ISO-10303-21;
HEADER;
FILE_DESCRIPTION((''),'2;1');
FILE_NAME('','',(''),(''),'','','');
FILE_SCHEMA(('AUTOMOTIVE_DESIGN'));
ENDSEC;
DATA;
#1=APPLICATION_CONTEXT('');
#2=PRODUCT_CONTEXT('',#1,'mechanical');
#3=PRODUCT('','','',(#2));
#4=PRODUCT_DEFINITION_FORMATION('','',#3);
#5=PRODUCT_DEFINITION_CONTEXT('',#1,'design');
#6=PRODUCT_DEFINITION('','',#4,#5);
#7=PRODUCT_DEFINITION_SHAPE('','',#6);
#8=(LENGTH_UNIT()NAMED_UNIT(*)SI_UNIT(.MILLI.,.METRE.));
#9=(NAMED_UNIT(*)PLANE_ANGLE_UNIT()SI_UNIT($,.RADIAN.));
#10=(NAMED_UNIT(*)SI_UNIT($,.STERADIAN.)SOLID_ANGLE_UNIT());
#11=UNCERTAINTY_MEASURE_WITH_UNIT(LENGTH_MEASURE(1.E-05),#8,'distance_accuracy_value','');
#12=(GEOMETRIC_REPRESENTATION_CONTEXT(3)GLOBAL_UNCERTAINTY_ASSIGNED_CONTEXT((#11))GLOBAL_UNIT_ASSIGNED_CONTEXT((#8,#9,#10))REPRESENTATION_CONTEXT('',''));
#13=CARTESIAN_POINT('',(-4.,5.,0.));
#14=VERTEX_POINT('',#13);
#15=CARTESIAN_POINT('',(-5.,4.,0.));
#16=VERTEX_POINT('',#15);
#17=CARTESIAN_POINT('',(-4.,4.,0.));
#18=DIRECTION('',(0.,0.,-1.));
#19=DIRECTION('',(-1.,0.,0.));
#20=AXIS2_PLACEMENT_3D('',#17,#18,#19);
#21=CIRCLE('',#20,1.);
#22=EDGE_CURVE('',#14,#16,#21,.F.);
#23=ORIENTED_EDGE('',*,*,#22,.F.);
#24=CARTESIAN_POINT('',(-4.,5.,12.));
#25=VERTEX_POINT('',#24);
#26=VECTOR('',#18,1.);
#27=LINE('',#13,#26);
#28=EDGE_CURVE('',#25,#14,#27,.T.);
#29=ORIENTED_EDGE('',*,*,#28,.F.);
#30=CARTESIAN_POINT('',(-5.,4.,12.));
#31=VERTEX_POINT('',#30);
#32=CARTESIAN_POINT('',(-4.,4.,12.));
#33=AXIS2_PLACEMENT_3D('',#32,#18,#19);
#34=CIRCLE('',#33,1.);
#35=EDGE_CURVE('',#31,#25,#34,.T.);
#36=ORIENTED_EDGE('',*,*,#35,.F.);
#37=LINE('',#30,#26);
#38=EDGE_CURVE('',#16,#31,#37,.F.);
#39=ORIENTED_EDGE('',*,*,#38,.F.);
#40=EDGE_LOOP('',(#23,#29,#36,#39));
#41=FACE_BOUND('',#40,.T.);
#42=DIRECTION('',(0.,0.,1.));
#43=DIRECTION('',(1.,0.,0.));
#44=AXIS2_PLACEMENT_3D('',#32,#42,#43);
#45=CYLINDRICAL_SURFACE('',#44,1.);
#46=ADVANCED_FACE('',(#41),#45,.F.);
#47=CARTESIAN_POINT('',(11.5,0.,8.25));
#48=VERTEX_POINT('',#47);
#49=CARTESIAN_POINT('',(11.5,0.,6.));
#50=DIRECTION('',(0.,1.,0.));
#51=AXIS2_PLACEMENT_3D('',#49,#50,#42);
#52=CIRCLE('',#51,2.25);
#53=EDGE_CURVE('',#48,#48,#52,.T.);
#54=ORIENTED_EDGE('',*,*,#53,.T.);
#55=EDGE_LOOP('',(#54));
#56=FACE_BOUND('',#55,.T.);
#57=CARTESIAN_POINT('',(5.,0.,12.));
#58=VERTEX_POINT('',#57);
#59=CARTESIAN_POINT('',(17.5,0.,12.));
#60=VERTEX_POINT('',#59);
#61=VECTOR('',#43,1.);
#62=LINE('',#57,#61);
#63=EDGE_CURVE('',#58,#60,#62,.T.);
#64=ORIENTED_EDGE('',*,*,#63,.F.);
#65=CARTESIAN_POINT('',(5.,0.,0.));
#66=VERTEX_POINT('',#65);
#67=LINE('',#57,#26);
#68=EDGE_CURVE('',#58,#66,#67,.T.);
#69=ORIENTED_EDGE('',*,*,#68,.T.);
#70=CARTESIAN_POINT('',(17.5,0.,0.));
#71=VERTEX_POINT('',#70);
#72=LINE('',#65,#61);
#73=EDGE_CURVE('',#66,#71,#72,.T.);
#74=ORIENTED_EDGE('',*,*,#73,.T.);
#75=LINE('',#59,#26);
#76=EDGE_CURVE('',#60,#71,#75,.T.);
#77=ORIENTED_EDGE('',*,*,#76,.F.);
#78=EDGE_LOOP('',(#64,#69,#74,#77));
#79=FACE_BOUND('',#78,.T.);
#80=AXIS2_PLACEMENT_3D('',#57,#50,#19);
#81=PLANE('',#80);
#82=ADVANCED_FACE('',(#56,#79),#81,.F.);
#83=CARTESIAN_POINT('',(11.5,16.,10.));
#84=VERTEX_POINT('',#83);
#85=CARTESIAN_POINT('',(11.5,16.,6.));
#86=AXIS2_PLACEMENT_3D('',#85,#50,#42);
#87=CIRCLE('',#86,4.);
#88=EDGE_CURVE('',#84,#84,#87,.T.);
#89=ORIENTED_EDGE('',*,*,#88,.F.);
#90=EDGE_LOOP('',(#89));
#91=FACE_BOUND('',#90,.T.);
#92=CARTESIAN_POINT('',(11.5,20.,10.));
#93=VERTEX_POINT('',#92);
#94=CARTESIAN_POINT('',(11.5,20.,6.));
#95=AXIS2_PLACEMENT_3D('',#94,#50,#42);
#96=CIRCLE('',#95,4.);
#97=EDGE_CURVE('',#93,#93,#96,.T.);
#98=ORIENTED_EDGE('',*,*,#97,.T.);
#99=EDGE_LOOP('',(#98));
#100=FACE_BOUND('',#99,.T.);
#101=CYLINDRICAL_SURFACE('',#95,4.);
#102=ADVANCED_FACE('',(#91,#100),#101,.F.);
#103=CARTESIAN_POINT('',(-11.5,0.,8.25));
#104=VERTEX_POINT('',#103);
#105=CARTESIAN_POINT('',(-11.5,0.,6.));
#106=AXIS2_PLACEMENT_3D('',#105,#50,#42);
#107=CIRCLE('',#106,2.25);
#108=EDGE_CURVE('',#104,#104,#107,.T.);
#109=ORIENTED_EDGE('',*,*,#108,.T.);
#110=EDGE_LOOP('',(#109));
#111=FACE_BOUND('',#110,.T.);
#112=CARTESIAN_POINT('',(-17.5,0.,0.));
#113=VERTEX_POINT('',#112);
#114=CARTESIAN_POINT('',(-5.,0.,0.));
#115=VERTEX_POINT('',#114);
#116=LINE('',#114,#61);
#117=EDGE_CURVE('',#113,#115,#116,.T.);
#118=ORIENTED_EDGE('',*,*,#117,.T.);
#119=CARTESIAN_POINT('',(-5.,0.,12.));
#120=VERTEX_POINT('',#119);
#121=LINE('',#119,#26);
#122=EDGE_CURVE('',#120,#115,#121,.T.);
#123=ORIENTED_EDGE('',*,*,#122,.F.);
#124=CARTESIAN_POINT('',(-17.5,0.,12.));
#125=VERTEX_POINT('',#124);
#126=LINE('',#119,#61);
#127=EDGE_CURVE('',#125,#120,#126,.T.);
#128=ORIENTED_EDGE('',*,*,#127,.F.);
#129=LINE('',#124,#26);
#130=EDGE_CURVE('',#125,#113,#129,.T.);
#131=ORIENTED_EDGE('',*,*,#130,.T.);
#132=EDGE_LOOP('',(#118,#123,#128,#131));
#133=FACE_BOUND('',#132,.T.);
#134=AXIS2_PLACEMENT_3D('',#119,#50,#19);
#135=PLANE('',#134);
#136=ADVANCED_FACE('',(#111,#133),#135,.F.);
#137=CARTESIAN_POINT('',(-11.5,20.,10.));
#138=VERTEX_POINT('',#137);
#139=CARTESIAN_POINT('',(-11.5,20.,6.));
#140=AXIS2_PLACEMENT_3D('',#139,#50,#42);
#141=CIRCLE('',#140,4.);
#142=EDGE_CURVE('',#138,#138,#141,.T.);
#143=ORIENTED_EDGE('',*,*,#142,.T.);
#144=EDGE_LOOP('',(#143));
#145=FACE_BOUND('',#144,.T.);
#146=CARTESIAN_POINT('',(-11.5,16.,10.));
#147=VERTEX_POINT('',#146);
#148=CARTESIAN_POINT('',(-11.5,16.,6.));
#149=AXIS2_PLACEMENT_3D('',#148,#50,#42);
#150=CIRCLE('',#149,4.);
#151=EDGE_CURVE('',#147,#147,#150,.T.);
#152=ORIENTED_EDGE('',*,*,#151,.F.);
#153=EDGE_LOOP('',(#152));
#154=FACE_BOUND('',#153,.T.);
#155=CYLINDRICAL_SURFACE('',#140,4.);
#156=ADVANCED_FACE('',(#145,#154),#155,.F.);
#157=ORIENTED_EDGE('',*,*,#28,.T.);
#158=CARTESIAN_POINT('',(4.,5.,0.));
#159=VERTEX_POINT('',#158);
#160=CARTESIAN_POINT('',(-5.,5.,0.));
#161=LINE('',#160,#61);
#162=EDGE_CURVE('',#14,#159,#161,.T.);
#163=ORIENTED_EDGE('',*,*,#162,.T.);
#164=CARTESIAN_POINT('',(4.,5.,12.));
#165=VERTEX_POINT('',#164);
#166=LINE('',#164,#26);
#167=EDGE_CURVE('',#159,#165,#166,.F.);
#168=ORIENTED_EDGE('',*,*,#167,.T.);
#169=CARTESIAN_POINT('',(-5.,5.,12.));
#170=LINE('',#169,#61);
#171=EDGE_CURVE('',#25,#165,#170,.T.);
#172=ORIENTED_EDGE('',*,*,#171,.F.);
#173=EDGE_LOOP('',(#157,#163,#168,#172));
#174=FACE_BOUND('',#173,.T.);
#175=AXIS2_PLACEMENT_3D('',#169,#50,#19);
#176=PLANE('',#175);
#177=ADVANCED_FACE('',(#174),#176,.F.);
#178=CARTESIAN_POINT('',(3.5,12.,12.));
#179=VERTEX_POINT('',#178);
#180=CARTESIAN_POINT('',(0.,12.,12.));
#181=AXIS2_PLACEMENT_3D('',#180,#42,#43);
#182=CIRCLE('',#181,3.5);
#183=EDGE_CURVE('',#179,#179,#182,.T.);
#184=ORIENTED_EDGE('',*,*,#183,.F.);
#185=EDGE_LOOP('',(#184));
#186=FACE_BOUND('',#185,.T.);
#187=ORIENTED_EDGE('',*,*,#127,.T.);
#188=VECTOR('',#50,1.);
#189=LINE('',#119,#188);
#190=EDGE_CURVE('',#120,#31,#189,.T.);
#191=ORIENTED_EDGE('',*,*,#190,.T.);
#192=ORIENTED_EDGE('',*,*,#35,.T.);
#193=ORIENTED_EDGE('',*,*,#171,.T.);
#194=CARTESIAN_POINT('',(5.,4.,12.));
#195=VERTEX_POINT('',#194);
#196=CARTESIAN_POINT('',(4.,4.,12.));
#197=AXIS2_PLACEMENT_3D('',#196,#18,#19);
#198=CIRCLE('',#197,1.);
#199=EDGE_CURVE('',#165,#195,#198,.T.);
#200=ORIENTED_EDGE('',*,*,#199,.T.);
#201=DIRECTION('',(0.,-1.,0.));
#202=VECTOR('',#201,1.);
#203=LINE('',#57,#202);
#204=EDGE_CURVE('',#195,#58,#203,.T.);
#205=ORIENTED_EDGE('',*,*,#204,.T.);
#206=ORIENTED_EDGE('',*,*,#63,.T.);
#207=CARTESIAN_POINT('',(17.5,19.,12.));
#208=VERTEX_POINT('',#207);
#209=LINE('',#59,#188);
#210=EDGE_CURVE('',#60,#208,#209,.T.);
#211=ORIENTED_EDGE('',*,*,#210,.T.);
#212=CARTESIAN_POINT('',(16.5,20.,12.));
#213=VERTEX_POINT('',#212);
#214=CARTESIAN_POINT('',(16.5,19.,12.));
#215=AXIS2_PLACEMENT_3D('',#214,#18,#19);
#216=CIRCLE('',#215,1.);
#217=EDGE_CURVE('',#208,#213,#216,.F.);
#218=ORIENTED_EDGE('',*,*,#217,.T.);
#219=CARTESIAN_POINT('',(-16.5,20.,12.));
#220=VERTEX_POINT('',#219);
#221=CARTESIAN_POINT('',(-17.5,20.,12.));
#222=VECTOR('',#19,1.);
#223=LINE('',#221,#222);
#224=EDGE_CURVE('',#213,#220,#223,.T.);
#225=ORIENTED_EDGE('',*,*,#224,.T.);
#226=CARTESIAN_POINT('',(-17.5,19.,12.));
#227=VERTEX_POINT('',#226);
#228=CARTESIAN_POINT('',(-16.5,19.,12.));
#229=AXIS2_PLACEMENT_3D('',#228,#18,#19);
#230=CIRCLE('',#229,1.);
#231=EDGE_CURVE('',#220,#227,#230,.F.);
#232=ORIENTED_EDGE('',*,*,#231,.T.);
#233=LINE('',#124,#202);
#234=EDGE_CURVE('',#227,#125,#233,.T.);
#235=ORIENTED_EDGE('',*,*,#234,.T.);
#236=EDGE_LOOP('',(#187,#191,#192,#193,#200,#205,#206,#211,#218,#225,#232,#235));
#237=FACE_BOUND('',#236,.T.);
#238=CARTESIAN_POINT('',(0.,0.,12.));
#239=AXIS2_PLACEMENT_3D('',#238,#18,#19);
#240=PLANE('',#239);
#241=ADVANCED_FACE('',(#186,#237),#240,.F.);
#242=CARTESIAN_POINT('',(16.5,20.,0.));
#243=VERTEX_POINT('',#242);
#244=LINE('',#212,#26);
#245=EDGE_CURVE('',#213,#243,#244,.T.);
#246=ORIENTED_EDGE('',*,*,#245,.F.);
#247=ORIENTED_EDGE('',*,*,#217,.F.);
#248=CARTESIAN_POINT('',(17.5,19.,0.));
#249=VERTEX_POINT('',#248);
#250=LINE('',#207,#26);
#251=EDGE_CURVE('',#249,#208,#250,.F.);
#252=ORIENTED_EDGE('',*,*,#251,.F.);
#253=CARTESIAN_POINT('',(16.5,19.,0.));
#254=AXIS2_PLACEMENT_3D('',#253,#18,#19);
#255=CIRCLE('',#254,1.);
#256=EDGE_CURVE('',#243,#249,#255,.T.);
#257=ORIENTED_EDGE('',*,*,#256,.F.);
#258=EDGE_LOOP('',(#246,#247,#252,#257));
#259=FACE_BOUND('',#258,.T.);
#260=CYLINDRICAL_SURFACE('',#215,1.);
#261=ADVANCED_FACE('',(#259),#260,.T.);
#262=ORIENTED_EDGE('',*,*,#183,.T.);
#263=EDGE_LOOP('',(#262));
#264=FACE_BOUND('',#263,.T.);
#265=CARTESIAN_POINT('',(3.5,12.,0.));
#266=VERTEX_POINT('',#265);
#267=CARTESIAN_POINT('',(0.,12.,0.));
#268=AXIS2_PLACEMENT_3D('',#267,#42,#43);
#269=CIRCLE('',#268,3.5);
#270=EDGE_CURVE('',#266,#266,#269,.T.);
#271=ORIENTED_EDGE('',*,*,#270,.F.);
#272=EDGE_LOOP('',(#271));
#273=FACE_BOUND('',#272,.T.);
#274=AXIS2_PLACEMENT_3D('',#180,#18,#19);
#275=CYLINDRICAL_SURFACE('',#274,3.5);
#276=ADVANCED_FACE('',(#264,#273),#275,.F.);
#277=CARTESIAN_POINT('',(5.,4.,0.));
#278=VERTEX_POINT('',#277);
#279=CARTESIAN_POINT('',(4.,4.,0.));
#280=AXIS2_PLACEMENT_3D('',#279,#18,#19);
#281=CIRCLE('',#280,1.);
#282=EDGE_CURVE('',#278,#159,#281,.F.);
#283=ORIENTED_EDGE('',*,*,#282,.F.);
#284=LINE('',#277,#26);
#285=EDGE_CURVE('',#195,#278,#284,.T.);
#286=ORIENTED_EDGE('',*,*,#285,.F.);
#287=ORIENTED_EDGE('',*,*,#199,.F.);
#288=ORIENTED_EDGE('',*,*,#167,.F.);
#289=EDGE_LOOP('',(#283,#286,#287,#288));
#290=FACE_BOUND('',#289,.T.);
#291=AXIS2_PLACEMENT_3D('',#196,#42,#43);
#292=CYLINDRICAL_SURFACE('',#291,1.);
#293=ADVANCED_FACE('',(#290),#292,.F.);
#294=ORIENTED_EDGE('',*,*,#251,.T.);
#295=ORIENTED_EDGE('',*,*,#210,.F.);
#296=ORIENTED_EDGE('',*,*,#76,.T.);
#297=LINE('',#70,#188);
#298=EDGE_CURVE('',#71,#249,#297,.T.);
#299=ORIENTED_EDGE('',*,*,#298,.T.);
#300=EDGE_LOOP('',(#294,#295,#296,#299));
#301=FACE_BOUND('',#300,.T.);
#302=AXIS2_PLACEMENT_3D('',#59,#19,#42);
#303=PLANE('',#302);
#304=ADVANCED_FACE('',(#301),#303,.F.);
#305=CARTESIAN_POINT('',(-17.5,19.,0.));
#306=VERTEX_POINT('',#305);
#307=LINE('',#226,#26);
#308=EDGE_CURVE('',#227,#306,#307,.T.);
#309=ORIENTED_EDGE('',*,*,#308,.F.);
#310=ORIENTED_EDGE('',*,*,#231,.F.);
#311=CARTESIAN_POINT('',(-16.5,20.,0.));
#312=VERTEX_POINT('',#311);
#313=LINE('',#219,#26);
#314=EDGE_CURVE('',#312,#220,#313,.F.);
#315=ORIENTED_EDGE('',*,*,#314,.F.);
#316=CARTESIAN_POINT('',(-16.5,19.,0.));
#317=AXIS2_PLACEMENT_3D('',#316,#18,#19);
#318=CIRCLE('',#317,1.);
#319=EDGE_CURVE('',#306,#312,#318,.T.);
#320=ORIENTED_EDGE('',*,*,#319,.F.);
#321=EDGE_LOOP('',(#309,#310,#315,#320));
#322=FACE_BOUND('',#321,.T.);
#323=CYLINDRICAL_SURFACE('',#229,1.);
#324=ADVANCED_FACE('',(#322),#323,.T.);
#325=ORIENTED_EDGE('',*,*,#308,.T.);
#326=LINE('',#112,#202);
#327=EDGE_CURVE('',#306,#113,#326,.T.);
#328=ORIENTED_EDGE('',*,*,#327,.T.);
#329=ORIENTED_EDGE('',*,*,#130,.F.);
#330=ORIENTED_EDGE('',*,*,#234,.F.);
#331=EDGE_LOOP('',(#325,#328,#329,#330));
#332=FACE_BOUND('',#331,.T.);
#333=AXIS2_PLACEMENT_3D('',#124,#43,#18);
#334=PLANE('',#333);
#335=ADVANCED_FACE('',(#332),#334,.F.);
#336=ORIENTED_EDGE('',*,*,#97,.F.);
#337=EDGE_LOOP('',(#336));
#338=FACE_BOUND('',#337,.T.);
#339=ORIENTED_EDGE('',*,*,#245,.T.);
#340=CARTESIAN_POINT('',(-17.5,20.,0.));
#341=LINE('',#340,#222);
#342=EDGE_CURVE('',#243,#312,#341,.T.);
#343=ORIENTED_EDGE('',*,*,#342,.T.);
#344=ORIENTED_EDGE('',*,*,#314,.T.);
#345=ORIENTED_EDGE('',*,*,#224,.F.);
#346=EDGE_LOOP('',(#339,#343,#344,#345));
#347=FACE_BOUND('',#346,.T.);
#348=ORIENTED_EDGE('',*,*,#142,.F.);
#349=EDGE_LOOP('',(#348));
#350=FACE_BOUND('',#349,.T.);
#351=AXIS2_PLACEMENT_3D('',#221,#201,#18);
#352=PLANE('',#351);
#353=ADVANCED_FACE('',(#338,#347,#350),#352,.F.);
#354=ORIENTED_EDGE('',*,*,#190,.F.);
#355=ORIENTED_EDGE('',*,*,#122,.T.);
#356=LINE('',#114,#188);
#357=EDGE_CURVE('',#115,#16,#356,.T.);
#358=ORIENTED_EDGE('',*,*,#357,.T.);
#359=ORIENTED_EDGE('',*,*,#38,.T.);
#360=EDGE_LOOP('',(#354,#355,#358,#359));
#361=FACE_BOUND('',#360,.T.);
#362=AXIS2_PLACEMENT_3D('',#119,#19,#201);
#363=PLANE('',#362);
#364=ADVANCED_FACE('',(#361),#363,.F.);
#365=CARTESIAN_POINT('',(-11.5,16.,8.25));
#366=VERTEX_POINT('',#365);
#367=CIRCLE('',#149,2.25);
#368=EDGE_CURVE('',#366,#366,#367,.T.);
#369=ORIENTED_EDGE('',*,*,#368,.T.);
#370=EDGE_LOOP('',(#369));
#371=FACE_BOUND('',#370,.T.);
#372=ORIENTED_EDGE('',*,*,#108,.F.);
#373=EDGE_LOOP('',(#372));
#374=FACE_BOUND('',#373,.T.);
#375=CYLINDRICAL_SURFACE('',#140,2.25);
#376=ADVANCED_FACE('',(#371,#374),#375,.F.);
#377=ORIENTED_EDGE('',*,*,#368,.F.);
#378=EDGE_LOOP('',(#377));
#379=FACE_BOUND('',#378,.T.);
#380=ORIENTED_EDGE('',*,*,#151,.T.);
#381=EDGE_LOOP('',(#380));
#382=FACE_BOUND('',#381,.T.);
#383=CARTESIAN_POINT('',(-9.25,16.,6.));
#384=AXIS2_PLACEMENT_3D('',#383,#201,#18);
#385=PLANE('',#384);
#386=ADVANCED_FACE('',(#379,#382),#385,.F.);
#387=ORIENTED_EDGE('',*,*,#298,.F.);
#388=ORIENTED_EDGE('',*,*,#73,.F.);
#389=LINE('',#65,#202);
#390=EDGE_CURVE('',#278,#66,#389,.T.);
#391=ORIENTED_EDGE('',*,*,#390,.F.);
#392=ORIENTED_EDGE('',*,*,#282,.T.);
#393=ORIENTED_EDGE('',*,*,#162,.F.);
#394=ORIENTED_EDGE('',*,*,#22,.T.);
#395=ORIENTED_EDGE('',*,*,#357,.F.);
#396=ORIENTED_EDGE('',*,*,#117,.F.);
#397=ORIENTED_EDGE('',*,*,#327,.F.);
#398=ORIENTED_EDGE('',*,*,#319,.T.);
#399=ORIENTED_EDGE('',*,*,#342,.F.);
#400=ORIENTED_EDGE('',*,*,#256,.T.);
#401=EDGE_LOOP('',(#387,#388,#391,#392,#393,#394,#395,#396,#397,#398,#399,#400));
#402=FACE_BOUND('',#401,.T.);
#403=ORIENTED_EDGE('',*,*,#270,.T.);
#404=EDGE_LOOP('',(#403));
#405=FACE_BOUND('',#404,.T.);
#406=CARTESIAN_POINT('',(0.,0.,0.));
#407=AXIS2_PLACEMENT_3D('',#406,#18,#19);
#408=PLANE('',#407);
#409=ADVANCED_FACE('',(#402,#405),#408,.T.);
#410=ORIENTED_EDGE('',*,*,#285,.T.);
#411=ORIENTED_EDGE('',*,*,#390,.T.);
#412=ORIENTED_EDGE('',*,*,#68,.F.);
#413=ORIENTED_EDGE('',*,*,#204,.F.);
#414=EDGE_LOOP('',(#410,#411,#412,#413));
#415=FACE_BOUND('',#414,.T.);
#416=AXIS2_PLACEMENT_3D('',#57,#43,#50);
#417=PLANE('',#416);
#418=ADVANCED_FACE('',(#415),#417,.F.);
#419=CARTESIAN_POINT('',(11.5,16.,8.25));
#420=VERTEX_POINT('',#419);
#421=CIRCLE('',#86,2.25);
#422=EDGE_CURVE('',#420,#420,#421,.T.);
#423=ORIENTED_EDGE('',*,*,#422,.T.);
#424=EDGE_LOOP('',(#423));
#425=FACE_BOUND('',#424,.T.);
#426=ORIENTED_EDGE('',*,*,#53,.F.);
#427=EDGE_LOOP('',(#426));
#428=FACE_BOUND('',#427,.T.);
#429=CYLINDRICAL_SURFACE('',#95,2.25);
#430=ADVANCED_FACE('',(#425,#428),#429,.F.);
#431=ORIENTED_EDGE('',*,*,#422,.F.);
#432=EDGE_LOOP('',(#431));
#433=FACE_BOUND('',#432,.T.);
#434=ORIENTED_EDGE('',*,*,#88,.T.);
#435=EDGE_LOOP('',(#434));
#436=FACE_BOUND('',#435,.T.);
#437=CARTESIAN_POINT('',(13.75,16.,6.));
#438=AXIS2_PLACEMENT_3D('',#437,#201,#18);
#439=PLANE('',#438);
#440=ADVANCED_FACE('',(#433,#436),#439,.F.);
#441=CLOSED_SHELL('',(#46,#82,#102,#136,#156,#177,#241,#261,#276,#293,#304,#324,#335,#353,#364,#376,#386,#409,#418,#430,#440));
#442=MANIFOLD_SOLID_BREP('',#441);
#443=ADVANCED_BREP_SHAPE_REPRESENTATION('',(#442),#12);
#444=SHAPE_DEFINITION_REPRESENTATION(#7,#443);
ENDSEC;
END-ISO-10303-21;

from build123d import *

# Parameters (mm, degrees)
SKETCH1_R                      = 3.5
BOSS_EXTRUDE1_DEPTH            = 12
CBORE_FOR_M4_SHCS1_D           = 4.5
CBORE_FOR_M4_SHCS1_CBORE_D     = 8
CBORE_FOR_M4_SHCS1_CBORE_DEPTH = 4
FILLET1_R                      = 1


with BuildPart() as part:
    # Sketch1 → Boss-Extrude1 (new body)
    with BuildSketch(Plane.XY):
        Polygon((-17.5, 20), (17.5, 20), (17.5, 0), (5, 0), (5, 5), (-5, 5), (-5, 0), (-17.5, 0), align=None)
        with Locations((0, 12)):
            Circle(SKETCH1_R, mode=Mode.SUBTRACT)
    extrude(amount=BOSS_EXTRUDE1_DEPTH)

    # CBORE for M4 SHCS1 (through all)
    with Locations(Plane(origin=(0, 20, 0), x_dir=(1, 0, 0), z_dir=(0, 1, 0))):
        with Locations((-11.5, -6), (11.5, -6)):
            CounterBoreHole(CBORE_FOR_M4_SHCS1_D / 2, CBORE_FOR_M4_SHCS1_CBORE_D / 2, CBORE_FOR_M4_SHCS1_CBORE_DEPTH)

    # Fillet1
    fillet1_edges = [part.edges().sort_by_distance(p)[0] for p in [
        (5, 5, 6),
        (-5, 5, 6),
        (-17.5, 20, 6),
        (17.5, 20, 6),
    ]]
    fillet(fillet1_edges, radius=FILLET1_R)


solid = part.part
